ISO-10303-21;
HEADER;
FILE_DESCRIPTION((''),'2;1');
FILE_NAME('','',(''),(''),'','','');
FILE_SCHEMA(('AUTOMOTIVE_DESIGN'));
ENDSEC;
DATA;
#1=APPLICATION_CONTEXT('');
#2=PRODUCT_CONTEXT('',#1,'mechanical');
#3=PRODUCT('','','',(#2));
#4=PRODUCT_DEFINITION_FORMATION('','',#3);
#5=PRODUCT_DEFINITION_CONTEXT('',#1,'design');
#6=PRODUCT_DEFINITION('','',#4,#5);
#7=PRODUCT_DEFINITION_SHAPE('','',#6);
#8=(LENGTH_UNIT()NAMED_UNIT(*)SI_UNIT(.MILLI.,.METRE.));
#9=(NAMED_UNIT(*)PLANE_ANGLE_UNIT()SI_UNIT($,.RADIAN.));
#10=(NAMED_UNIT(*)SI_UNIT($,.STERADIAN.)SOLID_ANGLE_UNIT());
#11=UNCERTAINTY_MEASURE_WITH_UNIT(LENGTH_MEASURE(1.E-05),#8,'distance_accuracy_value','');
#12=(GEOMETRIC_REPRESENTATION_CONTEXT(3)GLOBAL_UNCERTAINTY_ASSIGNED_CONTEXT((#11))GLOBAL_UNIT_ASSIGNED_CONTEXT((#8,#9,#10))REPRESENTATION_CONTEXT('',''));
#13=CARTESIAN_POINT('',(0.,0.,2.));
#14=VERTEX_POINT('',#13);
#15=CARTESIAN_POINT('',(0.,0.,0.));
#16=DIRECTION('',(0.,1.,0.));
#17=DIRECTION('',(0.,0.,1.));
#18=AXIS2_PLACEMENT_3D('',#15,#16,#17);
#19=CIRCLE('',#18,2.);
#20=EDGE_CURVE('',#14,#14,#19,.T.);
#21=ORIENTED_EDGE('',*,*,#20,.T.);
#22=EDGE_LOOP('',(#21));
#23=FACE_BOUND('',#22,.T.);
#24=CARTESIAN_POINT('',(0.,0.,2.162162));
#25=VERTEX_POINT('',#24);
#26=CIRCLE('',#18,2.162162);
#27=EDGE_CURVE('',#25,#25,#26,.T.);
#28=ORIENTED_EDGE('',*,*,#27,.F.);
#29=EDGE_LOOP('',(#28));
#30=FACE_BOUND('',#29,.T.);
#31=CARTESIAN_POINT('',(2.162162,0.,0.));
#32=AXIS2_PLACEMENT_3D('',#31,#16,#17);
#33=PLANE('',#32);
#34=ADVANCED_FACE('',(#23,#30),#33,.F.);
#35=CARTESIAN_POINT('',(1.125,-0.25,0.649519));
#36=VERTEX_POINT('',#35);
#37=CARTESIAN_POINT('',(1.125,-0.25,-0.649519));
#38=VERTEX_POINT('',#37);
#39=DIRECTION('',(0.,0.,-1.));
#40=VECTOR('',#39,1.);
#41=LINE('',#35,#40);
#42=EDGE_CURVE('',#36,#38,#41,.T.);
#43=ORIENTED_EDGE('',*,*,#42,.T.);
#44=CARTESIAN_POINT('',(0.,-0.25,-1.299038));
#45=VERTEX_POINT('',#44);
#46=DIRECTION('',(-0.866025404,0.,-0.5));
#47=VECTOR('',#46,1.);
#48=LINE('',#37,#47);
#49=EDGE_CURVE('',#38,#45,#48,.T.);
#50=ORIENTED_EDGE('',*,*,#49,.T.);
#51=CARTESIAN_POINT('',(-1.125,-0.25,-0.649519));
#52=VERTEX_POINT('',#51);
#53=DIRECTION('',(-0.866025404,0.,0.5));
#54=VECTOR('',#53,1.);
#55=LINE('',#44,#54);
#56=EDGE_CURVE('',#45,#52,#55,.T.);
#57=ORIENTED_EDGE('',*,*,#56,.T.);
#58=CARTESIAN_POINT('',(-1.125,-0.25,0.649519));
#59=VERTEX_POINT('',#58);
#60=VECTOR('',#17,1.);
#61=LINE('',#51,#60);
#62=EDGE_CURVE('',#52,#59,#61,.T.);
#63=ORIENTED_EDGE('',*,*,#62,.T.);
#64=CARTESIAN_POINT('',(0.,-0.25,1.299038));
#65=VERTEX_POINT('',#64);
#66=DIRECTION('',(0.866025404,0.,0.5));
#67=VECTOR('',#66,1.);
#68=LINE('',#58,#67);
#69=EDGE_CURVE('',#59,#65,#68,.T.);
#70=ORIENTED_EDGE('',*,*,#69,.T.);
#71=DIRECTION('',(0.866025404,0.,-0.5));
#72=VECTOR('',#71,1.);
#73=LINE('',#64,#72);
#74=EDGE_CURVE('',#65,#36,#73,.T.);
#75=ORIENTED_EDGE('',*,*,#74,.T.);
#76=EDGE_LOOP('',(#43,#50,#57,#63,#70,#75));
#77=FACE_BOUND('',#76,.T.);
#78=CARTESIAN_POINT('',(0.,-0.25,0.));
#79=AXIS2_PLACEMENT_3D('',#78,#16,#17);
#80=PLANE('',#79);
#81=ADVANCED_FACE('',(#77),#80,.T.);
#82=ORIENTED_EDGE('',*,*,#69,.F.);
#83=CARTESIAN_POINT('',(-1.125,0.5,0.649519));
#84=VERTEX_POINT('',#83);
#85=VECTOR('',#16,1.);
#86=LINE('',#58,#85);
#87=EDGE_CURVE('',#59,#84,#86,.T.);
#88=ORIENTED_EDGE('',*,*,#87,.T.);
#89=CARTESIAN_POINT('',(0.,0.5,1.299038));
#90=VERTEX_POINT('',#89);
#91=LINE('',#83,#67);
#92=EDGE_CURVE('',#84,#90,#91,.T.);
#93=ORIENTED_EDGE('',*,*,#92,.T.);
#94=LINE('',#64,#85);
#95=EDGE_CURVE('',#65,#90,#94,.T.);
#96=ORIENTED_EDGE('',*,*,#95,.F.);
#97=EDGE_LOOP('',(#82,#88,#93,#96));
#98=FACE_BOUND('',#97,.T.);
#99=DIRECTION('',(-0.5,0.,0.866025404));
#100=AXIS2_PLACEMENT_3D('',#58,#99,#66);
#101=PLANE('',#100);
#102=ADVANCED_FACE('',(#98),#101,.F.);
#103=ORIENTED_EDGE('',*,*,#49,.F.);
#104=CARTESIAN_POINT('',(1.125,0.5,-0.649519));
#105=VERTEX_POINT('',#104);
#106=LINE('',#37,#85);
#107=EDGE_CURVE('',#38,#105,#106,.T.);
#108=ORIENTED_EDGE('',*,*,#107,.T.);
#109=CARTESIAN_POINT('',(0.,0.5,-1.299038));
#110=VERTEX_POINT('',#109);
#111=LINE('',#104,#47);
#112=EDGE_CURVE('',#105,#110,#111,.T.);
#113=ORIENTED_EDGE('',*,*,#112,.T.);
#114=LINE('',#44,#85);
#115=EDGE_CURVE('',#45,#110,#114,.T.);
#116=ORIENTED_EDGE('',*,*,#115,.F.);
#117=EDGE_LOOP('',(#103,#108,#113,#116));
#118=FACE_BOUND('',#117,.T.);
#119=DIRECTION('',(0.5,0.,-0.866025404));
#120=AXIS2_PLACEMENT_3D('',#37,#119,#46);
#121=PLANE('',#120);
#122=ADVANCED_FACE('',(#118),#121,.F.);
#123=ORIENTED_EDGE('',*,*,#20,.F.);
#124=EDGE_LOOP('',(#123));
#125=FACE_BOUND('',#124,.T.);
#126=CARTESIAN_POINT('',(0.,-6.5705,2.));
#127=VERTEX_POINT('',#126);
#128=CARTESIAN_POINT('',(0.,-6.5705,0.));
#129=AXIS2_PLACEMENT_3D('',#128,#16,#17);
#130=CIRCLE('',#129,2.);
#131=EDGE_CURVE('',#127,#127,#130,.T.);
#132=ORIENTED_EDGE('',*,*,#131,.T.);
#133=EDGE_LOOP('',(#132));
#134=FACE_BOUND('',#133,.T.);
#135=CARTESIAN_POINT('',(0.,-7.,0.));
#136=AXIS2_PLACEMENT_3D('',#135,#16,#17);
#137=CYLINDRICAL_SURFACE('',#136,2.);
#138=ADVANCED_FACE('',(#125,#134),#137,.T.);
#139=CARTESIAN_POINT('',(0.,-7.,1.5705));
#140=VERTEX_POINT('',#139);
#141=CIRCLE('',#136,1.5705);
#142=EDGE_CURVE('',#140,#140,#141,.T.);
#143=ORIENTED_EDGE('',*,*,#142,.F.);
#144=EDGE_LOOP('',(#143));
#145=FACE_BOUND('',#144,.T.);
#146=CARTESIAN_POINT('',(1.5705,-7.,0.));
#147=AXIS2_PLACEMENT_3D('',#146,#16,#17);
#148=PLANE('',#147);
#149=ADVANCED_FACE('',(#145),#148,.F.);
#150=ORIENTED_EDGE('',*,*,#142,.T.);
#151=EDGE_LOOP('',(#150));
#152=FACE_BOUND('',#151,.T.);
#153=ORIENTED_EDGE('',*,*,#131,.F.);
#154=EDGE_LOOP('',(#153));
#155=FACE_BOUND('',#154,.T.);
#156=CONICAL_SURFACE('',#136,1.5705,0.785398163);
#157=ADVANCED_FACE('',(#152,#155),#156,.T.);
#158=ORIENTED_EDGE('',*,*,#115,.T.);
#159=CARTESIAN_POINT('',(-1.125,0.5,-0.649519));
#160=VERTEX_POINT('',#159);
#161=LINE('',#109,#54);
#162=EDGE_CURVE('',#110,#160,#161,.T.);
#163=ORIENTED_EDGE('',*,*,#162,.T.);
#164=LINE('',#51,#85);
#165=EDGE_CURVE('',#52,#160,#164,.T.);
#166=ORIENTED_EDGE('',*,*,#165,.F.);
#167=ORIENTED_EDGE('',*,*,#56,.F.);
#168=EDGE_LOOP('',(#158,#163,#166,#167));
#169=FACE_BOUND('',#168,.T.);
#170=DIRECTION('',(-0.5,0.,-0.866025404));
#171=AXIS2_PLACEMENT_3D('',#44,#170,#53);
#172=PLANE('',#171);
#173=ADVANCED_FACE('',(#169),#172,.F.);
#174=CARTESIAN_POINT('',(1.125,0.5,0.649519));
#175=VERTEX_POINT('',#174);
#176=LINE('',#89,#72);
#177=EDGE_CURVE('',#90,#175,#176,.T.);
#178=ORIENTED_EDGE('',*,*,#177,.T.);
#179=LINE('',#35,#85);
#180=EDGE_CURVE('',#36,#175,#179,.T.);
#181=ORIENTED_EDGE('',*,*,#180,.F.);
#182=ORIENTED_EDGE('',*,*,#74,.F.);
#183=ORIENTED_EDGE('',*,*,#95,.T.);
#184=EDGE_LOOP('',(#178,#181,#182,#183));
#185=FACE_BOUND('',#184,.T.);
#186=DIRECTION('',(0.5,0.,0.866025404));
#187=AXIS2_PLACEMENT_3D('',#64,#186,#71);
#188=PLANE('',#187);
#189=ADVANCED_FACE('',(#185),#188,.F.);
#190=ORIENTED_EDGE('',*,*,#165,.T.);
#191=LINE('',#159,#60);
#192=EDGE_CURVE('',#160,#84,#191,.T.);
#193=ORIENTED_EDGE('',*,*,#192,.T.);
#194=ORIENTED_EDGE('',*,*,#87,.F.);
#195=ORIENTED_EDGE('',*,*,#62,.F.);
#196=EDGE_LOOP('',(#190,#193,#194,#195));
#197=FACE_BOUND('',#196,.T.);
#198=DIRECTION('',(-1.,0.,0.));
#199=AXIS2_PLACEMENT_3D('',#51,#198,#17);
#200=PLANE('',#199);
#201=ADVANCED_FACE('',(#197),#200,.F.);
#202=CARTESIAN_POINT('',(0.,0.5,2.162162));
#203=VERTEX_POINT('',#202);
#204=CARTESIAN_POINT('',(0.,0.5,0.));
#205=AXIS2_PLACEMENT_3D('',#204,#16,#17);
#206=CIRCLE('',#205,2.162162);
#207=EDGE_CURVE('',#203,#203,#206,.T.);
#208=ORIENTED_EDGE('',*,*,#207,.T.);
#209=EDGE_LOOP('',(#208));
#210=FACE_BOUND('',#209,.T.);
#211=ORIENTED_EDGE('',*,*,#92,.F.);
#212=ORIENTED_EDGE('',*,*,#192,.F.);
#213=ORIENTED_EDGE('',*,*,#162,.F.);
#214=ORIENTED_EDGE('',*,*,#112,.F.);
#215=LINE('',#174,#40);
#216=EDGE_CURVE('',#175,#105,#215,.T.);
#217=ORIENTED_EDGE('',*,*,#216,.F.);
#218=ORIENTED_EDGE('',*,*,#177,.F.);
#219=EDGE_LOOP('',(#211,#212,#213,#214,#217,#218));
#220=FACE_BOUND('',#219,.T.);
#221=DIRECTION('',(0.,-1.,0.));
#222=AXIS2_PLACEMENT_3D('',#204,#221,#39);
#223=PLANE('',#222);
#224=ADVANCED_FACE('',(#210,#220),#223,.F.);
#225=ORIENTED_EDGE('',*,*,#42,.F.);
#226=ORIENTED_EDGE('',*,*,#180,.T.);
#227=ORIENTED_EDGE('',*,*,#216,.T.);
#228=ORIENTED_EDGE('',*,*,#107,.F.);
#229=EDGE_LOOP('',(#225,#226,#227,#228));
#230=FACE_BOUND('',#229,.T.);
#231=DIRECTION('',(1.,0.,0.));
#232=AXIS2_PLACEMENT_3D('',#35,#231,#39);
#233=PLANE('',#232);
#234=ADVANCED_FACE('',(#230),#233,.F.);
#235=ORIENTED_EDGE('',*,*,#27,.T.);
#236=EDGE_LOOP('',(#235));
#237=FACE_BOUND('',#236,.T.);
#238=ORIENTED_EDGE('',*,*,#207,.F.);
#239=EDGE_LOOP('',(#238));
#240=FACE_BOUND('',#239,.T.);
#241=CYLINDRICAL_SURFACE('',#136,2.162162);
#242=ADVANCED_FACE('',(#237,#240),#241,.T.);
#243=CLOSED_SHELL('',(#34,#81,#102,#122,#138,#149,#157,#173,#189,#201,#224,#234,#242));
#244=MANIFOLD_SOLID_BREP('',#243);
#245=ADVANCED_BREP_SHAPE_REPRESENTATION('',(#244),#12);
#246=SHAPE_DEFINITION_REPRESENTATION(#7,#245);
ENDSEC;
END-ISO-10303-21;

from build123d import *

# Parameters (mm, degrees)
CUT_EXTRUDE_1_DEPTH = 0.75


with BuildPart() as part:
    # Эскиз1 → Повернуть1 (revolve)
    with BuildSketch(Plane.XY, mode=Mode.PRIVATE) as revolve_1_sk:
        Polygon((0, 0.5), (2.162162162, 0.5), (2.162162162, 0), (2, 0), (2, -6.5705), (1.5705, -7), (0, -7), align=None)
    revolve(revolve_1_sk.sketch.rotate(Axis((0, -7, 0), (0, 1, 0)), 270), axis=Axis((0, -7, 0), (0, 1, 0)))

    # Эскиз2 → Вырез-Вытянуть1 (cut)
    with BuildSketch(Plane(origin=(0, 0.5, 0), x_dir=(1, 0, 0), z_dir=(0, 1, 0))):
        Polygon((-1.125, 0.649519053), (-1.125, -0.649519053), (0, -1.299038106), (1.125, -0.649519053), (1.125, 0.649519053), (0, 1.299038106), align=None)
    extrude(amount=-CUT_EXTRUDE_1_DEPTH, mode=Mode.SUBTRACT)


solid = part.part
